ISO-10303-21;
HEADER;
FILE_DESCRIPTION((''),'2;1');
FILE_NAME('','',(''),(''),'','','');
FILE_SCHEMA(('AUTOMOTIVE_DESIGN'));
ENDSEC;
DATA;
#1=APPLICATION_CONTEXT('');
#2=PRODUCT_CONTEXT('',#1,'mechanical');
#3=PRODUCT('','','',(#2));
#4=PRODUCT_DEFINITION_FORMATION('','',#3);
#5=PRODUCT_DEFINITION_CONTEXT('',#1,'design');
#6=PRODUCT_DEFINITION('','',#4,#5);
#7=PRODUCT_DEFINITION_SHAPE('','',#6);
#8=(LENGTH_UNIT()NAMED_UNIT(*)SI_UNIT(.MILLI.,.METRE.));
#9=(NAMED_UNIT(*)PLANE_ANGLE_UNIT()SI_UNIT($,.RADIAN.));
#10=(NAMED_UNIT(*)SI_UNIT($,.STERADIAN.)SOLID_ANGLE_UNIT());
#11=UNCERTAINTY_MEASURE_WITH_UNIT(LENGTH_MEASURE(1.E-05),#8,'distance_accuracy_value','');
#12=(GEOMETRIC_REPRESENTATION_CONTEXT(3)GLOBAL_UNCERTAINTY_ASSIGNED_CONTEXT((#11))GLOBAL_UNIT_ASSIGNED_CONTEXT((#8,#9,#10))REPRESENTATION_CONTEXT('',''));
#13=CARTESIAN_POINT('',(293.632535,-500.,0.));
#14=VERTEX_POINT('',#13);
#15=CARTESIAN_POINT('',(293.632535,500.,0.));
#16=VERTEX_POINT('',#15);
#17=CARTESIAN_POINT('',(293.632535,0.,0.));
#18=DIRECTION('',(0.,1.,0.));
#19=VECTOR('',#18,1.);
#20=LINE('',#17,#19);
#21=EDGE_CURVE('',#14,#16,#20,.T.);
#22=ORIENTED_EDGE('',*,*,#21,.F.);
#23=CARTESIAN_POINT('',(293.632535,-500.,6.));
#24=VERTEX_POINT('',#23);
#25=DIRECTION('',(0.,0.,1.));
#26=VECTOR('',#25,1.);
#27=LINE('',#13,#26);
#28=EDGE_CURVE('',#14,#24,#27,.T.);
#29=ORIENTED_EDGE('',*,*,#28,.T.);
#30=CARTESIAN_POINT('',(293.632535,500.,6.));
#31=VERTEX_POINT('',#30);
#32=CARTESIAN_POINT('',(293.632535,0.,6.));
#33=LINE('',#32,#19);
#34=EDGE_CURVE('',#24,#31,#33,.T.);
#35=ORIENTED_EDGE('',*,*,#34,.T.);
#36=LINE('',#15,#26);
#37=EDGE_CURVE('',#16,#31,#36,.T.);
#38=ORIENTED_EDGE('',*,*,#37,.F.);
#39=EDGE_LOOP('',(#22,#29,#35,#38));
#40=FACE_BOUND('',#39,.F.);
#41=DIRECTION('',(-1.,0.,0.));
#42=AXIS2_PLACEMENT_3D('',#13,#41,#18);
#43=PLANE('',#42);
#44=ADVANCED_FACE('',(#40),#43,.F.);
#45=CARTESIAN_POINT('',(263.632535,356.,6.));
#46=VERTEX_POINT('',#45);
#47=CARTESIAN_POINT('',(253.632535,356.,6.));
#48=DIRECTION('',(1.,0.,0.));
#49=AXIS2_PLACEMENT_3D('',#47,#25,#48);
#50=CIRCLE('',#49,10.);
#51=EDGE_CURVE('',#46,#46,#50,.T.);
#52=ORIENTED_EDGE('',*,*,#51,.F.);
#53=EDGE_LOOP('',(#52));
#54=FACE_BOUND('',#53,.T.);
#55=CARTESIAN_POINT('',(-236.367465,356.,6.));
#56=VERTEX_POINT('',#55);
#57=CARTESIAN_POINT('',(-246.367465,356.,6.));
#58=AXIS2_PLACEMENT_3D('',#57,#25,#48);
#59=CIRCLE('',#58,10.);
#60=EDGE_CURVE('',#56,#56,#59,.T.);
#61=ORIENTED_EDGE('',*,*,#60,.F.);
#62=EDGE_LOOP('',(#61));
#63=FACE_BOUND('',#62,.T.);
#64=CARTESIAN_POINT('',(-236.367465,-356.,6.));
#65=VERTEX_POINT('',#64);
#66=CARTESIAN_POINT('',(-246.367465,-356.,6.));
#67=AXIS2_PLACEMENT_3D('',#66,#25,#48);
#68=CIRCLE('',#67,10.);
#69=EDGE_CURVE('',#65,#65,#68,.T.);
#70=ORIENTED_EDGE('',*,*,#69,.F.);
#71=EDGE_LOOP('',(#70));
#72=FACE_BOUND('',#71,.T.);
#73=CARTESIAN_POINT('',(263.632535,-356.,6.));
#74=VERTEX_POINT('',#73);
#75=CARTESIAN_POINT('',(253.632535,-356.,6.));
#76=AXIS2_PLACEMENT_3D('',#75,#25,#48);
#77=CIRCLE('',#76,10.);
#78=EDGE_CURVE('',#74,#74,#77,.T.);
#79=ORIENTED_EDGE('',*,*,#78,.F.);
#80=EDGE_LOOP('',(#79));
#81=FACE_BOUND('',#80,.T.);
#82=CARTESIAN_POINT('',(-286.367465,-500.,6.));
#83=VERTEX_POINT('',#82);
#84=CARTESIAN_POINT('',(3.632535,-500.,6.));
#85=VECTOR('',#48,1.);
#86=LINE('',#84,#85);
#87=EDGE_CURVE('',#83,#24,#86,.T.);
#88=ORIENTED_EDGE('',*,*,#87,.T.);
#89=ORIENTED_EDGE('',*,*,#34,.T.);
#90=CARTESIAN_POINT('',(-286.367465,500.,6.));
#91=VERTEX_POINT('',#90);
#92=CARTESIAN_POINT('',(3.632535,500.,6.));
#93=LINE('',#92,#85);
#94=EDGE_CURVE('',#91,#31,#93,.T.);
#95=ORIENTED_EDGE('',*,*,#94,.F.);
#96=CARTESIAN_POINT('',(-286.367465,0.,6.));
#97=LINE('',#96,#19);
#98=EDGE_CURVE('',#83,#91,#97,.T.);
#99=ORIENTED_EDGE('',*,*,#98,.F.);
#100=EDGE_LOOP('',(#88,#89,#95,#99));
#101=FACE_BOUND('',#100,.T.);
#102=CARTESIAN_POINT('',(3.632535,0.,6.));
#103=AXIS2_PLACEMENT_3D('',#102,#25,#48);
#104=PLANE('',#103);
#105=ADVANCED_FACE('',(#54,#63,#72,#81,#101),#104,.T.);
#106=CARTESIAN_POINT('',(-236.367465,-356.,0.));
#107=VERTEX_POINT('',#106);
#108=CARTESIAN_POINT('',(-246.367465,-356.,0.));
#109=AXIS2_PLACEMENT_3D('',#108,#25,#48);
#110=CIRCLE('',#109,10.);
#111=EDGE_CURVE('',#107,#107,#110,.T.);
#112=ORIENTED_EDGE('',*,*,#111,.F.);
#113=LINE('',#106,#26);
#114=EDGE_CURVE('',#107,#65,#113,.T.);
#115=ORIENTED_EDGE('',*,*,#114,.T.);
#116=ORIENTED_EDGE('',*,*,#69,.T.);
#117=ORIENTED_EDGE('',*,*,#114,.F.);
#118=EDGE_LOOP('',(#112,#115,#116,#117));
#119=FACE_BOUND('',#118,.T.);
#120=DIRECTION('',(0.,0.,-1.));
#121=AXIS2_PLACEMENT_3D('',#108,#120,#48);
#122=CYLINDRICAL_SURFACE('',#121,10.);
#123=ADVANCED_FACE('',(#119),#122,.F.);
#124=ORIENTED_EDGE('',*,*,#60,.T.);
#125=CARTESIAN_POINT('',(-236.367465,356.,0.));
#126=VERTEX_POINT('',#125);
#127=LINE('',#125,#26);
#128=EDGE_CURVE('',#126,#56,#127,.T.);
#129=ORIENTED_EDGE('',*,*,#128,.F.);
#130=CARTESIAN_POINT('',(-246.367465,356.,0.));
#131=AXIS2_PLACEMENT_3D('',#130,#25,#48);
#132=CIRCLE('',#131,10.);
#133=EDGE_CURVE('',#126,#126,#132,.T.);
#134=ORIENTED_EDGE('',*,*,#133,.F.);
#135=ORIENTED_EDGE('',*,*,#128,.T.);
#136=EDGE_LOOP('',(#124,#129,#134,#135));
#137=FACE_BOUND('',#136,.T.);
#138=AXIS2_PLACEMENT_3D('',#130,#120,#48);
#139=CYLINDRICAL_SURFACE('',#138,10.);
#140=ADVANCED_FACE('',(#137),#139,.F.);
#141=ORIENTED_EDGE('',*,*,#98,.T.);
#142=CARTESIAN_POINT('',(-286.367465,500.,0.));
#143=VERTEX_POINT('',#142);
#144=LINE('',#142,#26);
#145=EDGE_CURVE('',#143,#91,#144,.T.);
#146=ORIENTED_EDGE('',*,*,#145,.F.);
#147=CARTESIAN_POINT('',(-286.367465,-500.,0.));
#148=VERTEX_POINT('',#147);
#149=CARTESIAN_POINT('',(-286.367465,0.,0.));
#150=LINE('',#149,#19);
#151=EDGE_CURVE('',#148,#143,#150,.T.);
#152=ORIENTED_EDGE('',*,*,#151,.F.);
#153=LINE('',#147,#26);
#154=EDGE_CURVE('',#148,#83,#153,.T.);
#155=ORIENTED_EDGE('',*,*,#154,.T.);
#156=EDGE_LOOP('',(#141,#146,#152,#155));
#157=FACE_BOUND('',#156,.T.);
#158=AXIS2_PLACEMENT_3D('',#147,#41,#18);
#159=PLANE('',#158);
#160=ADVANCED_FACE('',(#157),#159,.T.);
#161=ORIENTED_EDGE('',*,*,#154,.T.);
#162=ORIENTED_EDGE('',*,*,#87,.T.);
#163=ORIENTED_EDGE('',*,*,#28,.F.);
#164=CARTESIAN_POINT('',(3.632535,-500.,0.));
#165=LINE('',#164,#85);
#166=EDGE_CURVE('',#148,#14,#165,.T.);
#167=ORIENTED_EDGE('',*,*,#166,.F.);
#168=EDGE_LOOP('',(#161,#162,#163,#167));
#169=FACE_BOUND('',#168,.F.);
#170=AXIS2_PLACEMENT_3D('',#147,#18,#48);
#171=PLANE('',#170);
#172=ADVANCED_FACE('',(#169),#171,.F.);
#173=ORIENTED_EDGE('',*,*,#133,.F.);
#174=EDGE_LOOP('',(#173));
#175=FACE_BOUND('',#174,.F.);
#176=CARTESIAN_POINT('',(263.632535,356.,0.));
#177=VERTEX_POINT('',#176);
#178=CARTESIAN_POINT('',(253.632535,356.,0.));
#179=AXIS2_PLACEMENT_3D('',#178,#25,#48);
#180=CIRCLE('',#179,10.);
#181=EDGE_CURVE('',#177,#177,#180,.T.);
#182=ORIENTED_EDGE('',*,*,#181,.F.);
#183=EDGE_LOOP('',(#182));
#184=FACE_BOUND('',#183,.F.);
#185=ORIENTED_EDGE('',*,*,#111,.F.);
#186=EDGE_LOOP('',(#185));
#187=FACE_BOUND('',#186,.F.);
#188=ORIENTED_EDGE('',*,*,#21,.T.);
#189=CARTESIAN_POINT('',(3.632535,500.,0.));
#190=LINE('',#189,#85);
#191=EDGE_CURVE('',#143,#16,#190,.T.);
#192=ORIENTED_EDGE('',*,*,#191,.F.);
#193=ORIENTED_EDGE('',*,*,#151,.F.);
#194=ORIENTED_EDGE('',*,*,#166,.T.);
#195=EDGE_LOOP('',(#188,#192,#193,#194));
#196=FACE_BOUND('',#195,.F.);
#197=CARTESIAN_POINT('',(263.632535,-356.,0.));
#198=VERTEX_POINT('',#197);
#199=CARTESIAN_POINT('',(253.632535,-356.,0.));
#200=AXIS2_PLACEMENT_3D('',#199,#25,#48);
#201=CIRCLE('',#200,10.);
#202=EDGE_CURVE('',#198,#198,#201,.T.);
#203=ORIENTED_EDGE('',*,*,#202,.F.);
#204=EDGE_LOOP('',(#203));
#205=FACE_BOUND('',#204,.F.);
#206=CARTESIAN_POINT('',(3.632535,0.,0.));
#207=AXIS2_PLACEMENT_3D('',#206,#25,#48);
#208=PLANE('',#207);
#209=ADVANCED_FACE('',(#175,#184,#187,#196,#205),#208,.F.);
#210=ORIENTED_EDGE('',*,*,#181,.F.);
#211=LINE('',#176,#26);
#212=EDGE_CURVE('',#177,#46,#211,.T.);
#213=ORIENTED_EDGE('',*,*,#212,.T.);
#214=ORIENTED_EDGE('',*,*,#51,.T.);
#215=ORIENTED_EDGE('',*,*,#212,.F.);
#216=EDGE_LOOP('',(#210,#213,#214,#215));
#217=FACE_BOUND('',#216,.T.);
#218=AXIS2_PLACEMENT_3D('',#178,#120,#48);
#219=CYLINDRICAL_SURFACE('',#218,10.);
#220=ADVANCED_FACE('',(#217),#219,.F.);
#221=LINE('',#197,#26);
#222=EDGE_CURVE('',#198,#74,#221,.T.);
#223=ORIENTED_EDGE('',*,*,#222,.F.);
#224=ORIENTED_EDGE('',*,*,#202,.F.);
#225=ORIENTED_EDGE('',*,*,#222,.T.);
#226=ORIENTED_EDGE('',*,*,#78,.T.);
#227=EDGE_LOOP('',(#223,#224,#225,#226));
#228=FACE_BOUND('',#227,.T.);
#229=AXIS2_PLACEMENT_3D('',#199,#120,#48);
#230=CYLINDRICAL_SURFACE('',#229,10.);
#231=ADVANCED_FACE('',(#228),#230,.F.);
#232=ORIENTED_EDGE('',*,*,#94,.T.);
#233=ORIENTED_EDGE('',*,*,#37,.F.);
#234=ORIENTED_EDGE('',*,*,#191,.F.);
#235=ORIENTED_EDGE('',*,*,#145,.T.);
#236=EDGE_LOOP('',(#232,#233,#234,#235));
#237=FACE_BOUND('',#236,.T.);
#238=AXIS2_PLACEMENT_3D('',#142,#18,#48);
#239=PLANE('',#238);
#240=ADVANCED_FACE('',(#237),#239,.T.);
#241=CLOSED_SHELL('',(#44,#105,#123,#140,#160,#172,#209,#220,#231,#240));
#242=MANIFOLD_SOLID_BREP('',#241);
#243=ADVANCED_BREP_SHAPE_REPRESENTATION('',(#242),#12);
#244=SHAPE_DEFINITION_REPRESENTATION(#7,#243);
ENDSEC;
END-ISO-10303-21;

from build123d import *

# Parameters (mm, degrees)
F0_W     = 580
F0_H     = 1000
F0_R     = 10
F1_DEPTH = 6


with BuildPart() as f1:
    # F0 (on Top) → F1 (new body)
    with BuildSketch(Plane.XY):
        with Locations((3.632535, 0)):
            Rectangle(F0_W, F0_H)
        with Locations((-246.367465, -356)):
            Circle(F0_R, mode=Mode.SUBTRACT)
        with Locations((253.632535, -356)):
            Circle(F0_R, mode=Mode.SUBTRACT)
        with Locations((-246.367465, 356)):
            Circle(F0_R, mode=Mode.SUBTRACT)
        with Locations((253.632535, 356)):
            Circle(F0_R, mode=Mode.SUBTRACT)
    extrude(amount=F1_DEPTH)


solid = f1.part
